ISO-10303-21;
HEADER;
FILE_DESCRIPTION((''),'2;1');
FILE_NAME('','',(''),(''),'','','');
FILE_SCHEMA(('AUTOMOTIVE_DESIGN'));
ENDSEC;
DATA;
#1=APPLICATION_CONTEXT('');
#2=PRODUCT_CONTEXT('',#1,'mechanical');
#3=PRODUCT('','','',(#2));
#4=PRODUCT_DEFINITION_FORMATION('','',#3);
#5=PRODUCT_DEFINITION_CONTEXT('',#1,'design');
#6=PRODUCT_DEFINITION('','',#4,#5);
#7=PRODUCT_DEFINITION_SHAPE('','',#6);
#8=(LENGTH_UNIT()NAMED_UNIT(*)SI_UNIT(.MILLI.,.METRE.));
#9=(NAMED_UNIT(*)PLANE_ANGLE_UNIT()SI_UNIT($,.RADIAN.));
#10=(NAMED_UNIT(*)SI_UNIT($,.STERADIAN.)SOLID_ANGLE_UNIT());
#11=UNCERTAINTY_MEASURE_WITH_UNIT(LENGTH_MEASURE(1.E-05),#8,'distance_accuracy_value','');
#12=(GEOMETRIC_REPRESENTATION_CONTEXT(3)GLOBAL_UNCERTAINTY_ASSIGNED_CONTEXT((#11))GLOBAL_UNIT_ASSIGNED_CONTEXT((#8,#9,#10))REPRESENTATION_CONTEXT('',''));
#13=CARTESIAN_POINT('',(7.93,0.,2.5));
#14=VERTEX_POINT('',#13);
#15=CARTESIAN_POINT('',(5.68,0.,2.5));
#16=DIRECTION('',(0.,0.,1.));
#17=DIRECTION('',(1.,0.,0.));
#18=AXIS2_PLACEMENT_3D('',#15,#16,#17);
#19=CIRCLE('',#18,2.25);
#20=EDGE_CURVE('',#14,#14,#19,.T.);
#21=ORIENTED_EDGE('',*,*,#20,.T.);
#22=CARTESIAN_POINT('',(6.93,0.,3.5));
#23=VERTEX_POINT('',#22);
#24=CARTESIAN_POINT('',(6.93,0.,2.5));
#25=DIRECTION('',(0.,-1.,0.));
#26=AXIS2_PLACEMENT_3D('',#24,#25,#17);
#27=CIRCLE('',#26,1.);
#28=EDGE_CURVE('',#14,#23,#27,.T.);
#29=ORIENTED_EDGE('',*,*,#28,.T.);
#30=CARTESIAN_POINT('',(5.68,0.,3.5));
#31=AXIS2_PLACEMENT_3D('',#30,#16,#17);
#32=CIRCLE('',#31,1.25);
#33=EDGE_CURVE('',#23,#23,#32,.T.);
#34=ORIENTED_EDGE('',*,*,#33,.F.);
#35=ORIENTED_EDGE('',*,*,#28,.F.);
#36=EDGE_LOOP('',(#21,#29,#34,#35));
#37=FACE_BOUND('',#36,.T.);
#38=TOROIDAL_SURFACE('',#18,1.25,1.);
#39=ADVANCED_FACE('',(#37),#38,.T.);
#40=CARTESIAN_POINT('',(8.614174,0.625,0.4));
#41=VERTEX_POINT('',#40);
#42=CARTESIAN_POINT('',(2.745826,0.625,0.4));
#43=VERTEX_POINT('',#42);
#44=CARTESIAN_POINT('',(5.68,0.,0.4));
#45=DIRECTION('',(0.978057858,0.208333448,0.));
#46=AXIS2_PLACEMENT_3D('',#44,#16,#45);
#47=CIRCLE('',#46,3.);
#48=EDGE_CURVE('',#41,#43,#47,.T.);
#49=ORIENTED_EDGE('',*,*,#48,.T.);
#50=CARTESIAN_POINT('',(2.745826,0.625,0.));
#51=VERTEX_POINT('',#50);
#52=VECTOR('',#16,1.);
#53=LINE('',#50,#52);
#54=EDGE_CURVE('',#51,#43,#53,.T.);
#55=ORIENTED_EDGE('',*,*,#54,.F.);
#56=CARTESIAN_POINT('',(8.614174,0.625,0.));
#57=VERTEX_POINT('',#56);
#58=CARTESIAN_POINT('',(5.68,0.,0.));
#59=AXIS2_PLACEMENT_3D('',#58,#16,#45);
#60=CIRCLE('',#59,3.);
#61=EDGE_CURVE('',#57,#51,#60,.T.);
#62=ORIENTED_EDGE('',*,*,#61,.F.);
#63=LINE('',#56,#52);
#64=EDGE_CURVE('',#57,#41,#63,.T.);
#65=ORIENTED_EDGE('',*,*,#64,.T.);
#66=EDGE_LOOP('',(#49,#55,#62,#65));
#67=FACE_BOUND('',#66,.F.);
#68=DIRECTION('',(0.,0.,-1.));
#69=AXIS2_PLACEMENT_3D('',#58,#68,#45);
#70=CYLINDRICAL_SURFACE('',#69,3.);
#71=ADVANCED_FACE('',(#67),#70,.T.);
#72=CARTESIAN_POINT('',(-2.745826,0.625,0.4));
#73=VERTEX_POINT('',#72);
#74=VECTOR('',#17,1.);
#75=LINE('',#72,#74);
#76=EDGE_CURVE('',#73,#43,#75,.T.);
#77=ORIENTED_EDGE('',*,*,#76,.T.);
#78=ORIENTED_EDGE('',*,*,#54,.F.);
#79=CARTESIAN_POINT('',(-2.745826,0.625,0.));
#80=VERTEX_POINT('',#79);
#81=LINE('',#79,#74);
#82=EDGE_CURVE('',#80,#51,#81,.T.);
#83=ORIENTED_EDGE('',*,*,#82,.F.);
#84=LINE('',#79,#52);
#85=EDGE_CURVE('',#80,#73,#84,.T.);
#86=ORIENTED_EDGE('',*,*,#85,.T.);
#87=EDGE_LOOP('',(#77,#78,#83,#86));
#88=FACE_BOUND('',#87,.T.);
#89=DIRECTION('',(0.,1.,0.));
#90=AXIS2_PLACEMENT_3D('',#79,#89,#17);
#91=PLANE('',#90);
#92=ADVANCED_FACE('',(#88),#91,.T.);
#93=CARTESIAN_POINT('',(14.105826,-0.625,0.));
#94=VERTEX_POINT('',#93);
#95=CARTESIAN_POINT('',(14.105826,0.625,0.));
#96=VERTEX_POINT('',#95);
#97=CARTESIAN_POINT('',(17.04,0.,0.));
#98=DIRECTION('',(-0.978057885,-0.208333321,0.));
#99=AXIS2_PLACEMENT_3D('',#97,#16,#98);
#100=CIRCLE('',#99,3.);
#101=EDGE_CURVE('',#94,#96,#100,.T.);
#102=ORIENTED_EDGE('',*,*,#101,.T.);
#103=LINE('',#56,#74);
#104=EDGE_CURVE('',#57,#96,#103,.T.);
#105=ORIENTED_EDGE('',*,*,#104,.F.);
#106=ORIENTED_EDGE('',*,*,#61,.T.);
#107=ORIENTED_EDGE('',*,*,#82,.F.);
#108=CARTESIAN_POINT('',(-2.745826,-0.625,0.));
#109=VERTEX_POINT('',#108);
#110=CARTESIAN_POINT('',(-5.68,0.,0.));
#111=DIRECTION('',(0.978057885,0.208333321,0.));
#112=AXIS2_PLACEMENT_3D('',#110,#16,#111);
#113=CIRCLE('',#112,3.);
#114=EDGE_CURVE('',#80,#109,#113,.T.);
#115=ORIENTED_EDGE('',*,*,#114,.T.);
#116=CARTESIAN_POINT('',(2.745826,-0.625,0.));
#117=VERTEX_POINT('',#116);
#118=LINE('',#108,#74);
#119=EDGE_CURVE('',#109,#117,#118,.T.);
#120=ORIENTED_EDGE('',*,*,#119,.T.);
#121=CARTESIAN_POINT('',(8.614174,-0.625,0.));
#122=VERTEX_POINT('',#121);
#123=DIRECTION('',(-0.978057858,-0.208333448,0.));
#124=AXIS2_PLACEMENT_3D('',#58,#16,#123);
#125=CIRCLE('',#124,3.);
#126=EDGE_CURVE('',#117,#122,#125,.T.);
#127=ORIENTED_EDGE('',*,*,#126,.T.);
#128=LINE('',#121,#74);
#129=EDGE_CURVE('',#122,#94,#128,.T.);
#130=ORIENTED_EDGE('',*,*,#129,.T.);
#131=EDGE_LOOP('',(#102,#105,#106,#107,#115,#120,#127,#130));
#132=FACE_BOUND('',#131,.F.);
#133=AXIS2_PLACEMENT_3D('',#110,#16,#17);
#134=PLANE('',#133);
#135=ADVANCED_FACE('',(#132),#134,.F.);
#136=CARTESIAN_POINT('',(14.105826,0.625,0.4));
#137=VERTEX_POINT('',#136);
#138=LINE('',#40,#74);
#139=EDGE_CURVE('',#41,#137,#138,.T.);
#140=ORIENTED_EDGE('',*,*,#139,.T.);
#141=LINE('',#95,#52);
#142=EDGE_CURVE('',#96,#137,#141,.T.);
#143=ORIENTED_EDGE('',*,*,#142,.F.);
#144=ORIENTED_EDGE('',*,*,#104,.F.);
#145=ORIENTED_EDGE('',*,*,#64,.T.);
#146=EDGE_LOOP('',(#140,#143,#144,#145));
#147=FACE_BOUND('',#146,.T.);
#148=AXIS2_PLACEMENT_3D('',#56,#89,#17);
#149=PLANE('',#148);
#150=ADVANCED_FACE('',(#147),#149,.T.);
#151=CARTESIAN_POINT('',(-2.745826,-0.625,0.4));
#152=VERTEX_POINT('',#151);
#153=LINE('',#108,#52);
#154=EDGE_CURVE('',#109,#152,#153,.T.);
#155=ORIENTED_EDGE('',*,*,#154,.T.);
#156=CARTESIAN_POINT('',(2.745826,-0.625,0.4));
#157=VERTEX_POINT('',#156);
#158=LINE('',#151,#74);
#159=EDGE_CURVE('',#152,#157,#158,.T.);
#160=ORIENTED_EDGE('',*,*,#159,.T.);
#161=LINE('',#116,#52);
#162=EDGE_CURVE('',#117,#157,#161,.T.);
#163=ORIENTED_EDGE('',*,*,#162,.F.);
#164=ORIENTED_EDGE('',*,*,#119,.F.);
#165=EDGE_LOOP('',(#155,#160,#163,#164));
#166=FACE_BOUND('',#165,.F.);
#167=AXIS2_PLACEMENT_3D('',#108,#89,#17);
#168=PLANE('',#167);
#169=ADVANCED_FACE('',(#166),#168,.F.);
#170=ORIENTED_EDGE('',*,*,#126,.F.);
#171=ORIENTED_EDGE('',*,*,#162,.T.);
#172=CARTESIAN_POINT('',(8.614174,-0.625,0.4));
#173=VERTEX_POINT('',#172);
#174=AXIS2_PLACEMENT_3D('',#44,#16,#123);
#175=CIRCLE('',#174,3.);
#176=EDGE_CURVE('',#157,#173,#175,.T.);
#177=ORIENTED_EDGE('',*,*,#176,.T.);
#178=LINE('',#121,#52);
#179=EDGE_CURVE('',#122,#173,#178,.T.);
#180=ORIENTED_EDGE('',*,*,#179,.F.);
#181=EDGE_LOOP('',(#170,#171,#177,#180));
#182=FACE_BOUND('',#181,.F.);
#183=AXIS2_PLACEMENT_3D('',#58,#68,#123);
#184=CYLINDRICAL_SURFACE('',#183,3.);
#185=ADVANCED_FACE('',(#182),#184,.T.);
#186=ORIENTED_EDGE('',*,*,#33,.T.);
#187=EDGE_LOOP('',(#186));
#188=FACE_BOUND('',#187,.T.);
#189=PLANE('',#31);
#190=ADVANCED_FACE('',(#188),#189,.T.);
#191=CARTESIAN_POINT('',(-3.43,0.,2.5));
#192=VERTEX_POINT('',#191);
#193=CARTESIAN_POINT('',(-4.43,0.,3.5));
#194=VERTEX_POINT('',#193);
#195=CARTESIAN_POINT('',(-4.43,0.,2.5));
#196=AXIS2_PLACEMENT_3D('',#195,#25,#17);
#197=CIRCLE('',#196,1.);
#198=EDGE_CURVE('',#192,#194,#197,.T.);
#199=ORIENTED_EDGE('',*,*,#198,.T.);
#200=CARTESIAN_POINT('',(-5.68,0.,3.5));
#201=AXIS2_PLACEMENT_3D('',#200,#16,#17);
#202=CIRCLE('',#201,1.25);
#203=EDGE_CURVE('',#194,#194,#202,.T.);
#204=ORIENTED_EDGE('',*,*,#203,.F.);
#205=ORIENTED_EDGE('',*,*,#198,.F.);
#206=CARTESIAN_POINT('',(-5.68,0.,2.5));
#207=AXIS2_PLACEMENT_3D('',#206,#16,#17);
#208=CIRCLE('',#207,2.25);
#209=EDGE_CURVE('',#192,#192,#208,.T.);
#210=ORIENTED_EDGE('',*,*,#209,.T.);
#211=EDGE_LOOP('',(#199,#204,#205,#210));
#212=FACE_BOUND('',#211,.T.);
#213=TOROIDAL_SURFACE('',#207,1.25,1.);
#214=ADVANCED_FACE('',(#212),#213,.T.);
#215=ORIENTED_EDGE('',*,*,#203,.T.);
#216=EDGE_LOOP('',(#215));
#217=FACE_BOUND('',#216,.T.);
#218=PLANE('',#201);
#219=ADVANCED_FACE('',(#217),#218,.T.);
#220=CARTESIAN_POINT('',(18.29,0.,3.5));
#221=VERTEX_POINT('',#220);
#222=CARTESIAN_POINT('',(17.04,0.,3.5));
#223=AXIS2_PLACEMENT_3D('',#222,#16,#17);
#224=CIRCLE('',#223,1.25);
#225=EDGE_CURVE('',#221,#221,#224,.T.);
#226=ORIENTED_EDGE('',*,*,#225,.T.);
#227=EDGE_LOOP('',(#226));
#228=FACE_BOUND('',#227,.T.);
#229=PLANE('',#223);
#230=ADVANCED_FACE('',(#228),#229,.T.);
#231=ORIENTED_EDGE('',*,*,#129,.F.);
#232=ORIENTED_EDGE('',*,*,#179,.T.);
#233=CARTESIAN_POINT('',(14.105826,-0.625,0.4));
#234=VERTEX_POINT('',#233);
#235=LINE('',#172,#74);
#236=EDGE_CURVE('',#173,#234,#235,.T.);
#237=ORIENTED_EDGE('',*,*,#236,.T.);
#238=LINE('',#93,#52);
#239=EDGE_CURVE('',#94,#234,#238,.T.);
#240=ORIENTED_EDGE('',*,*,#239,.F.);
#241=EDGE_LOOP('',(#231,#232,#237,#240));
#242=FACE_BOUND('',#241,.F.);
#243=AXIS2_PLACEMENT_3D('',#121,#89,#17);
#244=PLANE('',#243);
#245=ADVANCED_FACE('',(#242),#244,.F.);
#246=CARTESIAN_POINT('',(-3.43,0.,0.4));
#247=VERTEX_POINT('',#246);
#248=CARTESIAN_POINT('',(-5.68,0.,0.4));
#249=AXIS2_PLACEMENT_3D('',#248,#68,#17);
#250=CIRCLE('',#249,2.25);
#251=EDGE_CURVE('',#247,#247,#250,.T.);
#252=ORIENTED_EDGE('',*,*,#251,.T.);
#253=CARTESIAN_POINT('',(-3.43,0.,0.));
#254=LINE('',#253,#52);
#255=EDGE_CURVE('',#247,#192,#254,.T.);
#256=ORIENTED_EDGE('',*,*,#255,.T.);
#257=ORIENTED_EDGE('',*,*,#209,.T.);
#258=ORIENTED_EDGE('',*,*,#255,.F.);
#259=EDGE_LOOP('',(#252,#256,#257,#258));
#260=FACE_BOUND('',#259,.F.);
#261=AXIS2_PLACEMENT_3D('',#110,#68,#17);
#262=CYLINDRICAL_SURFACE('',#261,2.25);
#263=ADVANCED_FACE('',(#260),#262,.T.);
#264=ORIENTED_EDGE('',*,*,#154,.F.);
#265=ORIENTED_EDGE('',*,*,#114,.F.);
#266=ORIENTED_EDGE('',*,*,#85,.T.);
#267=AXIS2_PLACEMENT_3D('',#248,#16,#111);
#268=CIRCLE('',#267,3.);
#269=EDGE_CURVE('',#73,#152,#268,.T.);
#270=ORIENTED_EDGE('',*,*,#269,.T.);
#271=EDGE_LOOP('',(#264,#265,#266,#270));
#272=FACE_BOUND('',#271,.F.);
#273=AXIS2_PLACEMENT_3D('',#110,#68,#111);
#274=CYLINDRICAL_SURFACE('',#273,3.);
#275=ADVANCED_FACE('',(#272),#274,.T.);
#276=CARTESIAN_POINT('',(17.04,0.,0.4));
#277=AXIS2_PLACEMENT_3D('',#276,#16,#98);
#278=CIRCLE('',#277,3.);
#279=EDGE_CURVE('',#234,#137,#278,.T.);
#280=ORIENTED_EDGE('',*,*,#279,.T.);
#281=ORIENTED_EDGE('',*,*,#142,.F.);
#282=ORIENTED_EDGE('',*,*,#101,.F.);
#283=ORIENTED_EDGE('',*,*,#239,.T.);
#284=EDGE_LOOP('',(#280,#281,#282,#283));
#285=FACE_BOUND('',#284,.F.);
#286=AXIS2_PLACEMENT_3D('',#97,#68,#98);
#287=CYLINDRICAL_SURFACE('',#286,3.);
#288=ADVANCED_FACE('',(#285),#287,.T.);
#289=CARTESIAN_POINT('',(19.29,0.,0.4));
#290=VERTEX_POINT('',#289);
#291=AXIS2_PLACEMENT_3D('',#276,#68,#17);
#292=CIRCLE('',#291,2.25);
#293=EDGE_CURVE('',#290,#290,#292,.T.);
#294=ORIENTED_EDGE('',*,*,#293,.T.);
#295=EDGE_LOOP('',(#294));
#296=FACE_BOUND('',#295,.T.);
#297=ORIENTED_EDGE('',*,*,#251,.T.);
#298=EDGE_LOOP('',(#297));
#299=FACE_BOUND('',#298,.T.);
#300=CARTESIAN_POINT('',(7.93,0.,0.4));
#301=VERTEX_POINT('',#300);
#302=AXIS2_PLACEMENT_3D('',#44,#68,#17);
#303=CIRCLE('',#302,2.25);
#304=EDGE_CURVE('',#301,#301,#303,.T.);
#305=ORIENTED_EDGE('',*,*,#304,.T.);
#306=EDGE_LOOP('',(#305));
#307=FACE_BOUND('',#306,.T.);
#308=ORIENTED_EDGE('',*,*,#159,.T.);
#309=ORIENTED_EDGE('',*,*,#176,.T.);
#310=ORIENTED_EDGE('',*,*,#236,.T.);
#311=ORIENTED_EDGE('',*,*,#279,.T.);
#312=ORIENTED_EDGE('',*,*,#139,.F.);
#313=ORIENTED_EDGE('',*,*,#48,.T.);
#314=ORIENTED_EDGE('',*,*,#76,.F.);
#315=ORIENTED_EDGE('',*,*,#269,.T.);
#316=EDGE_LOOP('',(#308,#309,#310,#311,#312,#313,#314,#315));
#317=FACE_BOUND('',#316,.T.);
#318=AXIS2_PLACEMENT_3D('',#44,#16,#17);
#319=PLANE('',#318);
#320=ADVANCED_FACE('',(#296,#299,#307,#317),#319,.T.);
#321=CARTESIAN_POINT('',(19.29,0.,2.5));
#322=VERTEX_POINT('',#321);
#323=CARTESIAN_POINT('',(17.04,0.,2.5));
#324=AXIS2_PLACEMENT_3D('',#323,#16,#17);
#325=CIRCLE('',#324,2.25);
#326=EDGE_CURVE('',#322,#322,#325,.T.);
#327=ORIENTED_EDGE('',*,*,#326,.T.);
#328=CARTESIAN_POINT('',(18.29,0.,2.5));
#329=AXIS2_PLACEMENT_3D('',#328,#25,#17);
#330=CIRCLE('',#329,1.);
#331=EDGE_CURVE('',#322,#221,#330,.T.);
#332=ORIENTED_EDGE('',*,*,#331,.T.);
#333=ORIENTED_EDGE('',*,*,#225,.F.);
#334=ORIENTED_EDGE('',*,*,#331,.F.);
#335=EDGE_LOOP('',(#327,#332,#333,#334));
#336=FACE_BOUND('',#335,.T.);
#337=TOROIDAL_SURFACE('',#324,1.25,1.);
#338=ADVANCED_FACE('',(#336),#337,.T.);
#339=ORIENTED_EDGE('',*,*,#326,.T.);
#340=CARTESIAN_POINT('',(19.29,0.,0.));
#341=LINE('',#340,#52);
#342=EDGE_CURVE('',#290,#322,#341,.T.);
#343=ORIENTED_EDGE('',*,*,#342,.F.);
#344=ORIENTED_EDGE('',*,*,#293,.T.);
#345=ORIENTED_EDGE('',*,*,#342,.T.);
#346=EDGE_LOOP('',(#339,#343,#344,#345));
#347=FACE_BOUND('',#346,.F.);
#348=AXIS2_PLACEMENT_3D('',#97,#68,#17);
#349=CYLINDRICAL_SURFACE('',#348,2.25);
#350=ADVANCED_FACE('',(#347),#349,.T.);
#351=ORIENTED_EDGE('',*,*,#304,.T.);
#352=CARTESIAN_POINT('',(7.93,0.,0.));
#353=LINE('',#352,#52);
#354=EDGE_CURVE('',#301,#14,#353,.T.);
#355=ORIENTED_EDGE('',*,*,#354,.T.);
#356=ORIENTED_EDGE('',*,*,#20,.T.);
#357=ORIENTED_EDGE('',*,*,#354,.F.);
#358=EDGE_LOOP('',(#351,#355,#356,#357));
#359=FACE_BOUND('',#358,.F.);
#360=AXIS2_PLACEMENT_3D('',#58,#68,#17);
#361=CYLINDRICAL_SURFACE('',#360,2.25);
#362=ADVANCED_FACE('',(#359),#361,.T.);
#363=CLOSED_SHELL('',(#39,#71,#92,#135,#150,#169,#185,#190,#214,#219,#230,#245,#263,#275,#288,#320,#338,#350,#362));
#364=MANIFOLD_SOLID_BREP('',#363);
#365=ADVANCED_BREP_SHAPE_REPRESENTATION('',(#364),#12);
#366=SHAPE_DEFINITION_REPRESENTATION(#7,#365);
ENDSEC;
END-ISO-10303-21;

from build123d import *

# Parameters (mm, degrees)
PAD_DEPTH    = 0.4
SKETCH001_R  = 2.25
PAD001_DEPTH = 3.5
FILLET_R     = 1


with BuildPart() as part:
    # Sketch → Pad (new body)
    with BuildSketch(Plane.XY):
        with BuildLine():
            ThreePointArc((-2.745826, 0.625), (-8.68, 0), (-2.745826, -0.625))
            Line((-2.745826, -0.625), (2.745826, -0.625))
            ThreePointArc((2.745826, -0.625), (5.68, -3), (8.614174, -0.625))
            Line((8.614174, -0.625), (14.105826, -0.625))
            ThreePointArc((14.105826, -0.625), (20.04, 0), (14.105826, 0.625))
            Line((8.614174, 0.625), (14.105826, 0.625))
            ThreePointArc((8.614174, 0.625), (5.68, 3), (2.745826, 0.625))
            Line((-2.745826, 0.625), (2.745826, 0.625))
        make_face()
    extrude(amount=PAD_DEPTH)

    # Sketch001 → Pad001 (join)
    with BuildSketch(Plane.XY):
        with Locations((-5.68, 0)):
            Circle(SKETCH001_R)
        with Locations((5.68, 0)):
            Circle(SKETCH001_R)
        with Locations((17.04, 0)):
            Circle(SKETCH001_R)
    extrude(amount=PAD001_DEPTH)

    # Fillet
    fillet_edges = [part.edges().sort_by_distance(p)[0] for p in [
        (-7.93, 0, 3.5),
        (3.43, 0, 3.5),
        (14.79, 0, 3.5),
    ]]
    fillet(fillet_edges, radius=FILLET_R)


solid = part.part
